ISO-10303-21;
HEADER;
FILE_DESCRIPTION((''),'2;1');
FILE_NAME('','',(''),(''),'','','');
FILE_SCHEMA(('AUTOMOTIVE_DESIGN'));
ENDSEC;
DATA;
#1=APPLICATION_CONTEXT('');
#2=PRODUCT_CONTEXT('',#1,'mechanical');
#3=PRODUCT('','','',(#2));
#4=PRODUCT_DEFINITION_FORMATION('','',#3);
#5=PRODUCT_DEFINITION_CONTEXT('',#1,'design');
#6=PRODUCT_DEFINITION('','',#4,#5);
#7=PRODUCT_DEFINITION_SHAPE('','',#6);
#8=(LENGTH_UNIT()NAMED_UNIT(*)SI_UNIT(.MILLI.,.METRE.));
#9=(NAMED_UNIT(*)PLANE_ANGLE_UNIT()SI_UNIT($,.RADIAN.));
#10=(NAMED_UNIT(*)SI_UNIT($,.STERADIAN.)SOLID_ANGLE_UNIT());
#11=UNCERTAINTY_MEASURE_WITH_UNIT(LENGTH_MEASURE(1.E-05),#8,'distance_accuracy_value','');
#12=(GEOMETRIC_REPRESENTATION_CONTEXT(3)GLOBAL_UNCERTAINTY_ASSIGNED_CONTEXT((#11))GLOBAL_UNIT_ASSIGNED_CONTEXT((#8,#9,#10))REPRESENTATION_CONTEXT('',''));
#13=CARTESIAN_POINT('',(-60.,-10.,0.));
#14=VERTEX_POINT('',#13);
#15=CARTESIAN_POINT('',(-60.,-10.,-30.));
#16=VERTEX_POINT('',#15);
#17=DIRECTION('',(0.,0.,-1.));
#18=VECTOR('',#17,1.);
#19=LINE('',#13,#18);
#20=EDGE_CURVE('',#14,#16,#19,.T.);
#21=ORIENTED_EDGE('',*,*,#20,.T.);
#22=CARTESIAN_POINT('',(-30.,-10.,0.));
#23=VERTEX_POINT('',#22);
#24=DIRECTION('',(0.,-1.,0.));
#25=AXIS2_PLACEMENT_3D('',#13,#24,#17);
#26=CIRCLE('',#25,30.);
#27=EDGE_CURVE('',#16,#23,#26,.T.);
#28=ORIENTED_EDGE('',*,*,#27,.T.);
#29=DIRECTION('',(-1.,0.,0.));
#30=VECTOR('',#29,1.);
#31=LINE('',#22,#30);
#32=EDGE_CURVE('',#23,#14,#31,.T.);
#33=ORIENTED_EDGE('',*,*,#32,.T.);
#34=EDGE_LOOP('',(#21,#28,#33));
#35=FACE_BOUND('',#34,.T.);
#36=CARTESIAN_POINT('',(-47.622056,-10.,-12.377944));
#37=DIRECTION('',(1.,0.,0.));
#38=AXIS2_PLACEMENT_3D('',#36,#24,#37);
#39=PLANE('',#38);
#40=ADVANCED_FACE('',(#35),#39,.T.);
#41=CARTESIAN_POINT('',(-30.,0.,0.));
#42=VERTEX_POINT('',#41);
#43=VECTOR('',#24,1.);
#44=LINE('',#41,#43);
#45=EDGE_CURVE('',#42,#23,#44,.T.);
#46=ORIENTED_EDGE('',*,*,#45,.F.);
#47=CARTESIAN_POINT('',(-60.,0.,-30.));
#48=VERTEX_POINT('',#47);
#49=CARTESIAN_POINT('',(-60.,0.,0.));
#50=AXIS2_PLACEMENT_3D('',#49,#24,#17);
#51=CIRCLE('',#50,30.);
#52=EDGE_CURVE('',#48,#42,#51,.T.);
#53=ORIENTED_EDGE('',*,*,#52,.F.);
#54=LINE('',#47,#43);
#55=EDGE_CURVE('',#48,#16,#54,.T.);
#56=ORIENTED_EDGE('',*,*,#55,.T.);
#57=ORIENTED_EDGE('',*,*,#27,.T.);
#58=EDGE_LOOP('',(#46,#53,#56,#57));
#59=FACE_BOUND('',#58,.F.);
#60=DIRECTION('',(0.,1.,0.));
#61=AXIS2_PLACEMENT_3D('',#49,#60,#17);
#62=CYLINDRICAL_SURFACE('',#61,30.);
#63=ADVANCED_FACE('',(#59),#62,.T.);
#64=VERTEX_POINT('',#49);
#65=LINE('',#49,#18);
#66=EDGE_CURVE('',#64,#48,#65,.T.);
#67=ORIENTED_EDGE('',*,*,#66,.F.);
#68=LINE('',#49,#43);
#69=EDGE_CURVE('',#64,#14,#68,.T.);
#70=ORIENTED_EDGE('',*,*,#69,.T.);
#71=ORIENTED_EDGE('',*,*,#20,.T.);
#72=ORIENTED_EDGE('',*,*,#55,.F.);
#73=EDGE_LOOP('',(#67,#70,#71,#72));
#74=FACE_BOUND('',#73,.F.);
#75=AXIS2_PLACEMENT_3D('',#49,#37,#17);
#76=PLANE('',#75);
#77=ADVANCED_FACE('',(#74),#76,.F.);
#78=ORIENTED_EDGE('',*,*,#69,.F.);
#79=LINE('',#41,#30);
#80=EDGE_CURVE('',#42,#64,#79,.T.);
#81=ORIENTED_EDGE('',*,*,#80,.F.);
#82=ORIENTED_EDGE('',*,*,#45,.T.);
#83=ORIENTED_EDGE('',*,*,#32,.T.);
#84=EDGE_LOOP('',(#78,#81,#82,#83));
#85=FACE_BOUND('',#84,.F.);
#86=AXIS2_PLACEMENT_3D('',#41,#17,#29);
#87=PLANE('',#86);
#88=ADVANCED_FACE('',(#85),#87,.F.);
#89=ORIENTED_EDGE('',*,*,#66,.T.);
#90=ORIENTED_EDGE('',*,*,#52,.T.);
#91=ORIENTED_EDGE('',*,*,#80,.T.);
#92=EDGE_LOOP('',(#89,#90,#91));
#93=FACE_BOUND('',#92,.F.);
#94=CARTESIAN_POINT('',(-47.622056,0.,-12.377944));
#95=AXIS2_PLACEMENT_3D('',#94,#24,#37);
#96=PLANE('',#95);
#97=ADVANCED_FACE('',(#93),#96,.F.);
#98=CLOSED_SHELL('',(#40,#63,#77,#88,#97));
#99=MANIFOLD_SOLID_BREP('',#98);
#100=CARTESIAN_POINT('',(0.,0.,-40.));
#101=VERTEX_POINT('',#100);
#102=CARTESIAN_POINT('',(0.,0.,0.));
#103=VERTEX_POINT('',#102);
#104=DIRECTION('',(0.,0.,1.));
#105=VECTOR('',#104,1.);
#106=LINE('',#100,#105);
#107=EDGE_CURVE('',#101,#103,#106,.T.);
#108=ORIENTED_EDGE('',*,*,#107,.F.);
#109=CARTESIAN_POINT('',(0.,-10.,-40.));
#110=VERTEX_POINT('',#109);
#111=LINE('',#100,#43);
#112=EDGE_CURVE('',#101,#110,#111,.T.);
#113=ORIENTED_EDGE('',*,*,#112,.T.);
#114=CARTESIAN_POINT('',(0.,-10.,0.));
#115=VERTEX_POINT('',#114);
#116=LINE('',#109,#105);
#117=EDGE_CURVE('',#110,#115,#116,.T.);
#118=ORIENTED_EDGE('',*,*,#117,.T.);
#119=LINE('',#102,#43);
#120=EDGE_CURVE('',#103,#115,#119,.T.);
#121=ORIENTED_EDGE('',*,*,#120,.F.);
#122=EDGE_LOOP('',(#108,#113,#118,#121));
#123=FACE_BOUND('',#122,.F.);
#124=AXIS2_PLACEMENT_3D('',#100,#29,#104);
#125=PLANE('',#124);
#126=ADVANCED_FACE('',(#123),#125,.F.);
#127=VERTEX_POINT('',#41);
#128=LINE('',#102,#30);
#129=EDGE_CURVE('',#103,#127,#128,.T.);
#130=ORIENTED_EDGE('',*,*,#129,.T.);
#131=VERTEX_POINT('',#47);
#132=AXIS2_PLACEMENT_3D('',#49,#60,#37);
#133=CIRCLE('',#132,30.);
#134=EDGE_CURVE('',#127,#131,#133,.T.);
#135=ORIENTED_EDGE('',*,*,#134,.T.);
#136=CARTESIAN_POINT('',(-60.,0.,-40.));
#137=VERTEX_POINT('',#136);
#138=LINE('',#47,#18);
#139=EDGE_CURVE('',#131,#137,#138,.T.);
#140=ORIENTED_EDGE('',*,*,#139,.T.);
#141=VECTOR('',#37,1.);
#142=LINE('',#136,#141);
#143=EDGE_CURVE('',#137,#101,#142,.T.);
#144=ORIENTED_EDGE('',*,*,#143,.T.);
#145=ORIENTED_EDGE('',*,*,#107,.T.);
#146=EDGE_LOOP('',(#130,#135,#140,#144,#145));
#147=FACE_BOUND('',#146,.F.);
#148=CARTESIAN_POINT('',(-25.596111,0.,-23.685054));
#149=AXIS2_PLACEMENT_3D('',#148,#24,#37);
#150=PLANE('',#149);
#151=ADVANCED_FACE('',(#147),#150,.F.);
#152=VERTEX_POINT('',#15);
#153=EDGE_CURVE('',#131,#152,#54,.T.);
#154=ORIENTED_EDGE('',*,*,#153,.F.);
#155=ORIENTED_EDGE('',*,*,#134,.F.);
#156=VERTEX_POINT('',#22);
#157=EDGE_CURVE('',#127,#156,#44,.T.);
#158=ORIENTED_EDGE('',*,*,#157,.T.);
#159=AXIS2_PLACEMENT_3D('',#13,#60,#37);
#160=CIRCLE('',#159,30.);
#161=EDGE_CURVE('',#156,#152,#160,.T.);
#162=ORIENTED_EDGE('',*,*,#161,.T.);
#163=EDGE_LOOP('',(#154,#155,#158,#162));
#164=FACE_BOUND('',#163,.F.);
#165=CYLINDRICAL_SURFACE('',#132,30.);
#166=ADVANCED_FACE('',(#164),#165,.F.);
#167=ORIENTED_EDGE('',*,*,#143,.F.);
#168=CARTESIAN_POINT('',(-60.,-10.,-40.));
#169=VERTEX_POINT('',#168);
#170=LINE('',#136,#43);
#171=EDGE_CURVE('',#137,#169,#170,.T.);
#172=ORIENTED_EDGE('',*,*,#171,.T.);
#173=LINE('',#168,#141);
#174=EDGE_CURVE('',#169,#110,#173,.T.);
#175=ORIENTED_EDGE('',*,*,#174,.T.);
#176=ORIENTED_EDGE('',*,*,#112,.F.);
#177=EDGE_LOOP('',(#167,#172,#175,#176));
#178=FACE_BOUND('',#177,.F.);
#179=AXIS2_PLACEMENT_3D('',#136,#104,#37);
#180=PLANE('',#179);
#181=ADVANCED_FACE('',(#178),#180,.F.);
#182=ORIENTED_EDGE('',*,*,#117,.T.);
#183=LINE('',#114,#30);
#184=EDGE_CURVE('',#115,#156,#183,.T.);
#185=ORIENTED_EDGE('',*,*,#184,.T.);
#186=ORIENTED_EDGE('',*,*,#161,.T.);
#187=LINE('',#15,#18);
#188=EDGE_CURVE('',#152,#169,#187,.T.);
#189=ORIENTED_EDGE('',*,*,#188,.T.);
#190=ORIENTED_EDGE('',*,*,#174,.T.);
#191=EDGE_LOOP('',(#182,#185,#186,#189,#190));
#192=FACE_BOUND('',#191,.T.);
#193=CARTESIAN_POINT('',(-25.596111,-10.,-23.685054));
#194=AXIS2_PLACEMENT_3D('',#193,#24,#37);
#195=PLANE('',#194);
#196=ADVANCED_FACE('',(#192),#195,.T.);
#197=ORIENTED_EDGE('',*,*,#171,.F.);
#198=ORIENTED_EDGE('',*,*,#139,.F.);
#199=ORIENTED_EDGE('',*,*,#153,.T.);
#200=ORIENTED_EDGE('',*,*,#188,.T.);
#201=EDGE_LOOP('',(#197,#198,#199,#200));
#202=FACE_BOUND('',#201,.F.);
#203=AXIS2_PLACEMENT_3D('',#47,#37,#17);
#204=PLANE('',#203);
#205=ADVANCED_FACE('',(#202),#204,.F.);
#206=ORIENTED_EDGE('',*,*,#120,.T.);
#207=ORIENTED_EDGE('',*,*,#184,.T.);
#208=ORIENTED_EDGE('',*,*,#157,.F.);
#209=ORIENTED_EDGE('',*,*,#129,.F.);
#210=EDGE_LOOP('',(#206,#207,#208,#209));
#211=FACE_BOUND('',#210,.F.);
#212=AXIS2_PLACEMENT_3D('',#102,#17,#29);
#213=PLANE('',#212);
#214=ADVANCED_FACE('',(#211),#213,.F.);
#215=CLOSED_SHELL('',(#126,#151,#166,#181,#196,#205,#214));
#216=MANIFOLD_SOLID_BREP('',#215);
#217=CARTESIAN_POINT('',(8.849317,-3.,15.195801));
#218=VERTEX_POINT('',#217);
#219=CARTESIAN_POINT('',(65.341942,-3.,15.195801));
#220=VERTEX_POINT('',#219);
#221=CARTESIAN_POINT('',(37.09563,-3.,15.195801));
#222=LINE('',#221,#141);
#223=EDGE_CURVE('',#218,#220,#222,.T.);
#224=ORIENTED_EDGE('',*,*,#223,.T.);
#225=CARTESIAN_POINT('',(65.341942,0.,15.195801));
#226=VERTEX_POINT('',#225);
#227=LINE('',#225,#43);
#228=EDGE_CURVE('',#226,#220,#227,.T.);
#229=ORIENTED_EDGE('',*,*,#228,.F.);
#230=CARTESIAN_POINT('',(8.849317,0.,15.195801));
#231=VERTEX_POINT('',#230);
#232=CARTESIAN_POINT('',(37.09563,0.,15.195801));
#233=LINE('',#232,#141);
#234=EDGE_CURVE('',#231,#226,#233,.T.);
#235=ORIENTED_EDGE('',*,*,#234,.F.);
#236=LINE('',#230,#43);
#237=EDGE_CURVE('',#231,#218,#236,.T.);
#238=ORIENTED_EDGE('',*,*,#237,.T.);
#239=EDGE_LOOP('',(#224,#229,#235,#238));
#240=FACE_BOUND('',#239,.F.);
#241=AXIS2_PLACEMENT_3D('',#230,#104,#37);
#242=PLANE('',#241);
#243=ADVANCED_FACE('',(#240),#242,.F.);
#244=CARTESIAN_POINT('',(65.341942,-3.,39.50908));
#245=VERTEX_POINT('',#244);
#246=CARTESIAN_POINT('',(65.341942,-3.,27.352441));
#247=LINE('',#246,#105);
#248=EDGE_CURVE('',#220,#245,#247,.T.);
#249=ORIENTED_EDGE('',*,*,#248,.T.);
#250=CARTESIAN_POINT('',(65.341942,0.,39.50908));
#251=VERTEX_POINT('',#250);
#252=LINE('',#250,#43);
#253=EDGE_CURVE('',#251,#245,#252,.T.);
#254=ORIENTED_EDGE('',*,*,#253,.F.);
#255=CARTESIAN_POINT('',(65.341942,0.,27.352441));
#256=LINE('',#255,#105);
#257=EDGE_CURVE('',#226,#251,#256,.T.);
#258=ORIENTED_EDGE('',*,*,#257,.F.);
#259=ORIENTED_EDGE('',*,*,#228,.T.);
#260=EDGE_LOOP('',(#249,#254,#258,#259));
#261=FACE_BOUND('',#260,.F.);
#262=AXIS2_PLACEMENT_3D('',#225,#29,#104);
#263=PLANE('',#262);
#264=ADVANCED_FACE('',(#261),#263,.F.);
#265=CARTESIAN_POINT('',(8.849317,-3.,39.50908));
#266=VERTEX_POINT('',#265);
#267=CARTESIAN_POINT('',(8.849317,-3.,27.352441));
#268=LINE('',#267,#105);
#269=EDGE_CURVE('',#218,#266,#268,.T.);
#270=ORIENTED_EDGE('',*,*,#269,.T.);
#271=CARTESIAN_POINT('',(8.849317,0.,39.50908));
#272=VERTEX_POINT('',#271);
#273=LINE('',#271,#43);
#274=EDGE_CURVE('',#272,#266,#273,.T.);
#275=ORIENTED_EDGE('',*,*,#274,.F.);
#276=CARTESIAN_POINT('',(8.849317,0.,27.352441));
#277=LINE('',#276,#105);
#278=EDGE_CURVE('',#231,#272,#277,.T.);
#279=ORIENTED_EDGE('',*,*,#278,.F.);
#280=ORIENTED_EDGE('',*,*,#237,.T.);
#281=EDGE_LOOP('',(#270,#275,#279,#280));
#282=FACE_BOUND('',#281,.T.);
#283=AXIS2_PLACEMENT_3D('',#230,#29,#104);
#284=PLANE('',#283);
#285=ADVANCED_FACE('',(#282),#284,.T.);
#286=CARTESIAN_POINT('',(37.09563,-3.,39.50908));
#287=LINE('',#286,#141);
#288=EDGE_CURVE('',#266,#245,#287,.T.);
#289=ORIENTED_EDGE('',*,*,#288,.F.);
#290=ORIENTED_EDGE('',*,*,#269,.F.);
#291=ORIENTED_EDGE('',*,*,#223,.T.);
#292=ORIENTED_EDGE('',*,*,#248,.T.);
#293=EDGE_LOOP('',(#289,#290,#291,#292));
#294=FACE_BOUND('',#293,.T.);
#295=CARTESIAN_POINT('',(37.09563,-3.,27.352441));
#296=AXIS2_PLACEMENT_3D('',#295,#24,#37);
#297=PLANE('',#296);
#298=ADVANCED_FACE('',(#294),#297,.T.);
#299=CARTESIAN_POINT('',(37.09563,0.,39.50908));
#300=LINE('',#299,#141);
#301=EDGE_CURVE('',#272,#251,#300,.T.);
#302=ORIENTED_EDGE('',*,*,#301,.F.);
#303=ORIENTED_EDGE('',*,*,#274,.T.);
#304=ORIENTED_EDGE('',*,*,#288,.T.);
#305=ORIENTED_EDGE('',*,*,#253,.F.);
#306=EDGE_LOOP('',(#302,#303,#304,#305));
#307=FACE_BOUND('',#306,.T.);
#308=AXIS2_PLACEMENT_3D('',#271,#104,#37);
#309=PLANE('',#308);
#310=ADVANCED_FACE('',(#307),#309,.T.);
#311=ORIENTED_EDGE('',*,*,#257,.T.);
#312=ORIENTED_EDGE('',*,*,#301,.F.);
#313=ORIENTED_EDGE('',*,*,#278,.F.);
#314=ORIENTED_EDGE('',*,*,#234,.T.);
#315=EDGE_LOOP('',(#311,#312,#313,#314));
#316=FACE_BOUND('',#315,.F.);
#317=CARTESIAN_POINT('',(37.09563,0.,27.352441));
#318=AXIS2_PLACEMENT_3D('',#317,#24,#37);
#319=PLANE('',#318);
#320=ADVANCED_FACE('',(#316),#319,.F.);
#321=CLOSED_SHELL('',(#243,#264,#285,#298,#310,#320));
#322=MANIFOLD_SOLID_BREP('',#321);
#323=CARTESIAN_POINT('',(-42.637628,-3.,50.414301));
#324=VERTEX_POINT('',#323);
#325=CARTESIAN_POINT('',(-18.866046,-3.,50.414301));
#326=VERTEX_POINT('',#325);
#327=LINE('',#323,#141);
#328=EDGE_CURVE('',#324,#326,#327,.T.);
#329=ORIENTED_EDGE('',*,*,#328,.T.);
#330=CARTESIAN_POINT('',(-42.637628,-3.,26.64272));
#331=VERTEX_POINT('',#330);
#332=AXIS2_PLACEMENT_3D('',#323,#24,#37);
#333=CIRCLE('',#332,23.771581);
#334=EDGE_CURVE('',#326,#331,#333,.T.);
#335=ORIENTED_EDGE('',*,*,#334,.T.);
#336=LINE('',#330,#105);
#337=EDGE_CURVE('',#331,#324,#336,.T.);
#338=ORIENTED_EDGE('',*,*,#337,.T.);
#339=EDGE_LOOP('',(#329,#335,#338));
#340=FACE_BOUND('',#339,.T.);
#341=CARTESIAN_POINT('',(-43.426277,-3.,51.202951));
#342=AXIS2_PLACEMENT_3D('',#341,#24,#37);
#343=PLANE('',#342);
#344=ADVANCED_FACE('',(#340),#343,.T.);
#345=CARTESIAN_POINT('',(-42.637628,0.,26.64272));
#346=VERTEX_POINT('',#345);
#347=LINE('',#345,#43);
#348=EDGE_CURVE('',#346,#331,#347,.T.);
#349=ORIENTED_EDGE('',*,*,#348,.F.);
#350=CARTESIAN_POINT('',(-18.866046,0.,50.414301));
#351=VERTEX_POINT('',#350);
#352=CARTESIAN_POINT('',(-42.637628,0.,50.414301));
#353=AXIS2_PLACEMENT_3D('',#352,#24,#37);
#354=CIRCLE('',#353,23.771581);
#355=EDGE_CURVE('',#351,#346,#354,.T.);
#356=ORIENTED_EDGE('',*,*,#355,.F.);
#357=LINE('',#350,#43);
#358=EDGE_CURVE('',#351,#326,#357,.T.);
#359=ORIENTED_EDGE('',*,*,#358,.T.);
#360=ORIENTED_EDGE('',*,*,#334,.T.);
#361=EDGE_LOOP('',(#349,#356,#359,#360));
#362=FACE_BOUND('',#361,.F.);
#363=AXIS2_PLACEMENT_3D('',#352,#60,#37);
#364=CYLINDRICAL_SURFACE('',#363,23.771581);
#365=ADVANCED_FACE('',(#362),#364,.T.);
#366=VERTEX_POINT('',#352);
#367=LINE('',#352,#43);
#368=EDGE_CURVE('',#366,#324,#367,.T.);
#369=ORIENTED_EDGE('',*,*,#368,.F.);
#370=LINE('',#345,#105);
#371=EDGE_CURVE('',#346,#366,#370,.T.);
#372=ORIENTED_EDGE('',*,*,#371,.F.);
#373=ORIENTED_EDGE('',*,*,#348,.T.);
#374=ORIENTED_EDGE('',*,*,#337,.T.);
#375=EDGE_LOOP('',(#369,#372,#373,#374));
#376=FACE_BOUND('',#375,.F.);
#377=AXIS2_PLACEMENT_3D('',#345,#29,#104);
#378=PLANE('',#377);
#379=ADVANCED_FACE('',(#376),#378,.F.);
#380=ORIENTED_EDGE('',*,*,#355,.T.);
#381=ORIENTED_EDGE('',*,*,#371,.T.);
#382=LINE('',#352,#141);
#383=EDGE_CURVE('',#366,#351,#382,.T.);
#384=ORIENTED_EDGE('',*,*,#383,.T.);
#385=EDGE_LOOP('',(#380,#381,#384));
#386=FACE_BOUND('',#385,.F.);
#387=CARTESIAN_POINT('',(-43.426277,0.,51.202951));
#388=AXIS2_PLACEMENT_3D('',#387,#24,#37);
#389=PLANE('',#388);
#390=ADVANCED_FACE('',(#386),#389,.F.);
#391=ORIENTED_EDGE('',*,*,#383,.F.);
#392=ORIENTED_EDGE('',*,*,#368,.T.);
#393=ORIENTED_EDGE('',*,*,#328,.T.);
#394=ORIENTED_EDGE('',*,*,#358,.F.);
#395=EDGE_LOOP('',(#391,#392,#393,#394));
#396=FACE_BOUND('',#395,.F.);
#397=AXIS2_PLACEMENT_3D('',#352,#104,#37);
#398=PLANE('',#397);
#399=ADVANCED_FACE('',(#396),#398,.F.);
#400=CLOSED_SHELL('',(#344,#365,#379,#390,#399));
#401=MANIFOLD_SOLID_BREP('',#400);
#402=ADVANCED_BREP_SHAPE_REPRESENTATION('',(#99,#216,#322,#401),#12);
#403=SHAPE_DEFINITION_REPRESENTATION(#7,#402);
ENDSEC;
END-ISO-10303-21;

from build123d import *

# Parameters (mm, degrees)
F1_DEPTH = 3
F2_W     = 56.4926248044
F2_H     = 24.3132794276
F3_DEPTH = 3
F5_DEPTH = 10
F6_DEPTH = 10


with BuildPart() as f1:
    # F0 (on Front) → F1 (new body)
    with BuildSketch(Plane.XZ):
        with BuildLine():
            Line((-42.6376275718, 50.414301455), (-18.8660464076, 50.414301455))
            ThreePointArc((-18.8660464076, 50.414301455), (-59.4466738126, 67.2233476958), (-42.6376275718, 26.6427202908))
            Line((-42.6376275718, 26.6427202908), (-42.6376275718, 50.414301455))
        make_face()
    extrude(amount=F1_DEPTH)


with BuildPart() as f3:
    # F2 (on Front) → F3 (new body)
    with BuildSketch(Plane.XZ):
        with Locations((37.0956296101, 27.3524406366)):
            Rectangle(F2_W, F2_H)
    extrude(amount=F3_DEPTH)


with BuildPart() as f5:
    # F4 (on Front) → F5 (new body)
    with BuildSketch(Plane.XZ):
        with BuildLine():
            Line((-30, 0), (-60, 0))
            Line((-60, 0), (-60, -30))
            ThreePointArc((-60, -30), (-38.7867965644, -21.2132034356), (-30, 0))
        make_face()
    extrude(amount=F5_DEPTH)


with BuildPart() as f6:
    # F4 (on Front) → F6 (new body)
    with BuildSketch(Plane.XZ):
        with BuildLine():
            Line((0, 0), (-30, 0))
            ThreePointArc((-30, 0), (-38.7867965644, -21.2132034356), (-60, -30))
            Line((-60, -30), (-60, -40))
            Line((-60, -40), (0, -40))
            Line((0, -40), (0, 0))
        make_face()
    extrude(amount=F6_DEPTH)


solid = Compound([f1.part, f3.part, f5.part, f6.part])
